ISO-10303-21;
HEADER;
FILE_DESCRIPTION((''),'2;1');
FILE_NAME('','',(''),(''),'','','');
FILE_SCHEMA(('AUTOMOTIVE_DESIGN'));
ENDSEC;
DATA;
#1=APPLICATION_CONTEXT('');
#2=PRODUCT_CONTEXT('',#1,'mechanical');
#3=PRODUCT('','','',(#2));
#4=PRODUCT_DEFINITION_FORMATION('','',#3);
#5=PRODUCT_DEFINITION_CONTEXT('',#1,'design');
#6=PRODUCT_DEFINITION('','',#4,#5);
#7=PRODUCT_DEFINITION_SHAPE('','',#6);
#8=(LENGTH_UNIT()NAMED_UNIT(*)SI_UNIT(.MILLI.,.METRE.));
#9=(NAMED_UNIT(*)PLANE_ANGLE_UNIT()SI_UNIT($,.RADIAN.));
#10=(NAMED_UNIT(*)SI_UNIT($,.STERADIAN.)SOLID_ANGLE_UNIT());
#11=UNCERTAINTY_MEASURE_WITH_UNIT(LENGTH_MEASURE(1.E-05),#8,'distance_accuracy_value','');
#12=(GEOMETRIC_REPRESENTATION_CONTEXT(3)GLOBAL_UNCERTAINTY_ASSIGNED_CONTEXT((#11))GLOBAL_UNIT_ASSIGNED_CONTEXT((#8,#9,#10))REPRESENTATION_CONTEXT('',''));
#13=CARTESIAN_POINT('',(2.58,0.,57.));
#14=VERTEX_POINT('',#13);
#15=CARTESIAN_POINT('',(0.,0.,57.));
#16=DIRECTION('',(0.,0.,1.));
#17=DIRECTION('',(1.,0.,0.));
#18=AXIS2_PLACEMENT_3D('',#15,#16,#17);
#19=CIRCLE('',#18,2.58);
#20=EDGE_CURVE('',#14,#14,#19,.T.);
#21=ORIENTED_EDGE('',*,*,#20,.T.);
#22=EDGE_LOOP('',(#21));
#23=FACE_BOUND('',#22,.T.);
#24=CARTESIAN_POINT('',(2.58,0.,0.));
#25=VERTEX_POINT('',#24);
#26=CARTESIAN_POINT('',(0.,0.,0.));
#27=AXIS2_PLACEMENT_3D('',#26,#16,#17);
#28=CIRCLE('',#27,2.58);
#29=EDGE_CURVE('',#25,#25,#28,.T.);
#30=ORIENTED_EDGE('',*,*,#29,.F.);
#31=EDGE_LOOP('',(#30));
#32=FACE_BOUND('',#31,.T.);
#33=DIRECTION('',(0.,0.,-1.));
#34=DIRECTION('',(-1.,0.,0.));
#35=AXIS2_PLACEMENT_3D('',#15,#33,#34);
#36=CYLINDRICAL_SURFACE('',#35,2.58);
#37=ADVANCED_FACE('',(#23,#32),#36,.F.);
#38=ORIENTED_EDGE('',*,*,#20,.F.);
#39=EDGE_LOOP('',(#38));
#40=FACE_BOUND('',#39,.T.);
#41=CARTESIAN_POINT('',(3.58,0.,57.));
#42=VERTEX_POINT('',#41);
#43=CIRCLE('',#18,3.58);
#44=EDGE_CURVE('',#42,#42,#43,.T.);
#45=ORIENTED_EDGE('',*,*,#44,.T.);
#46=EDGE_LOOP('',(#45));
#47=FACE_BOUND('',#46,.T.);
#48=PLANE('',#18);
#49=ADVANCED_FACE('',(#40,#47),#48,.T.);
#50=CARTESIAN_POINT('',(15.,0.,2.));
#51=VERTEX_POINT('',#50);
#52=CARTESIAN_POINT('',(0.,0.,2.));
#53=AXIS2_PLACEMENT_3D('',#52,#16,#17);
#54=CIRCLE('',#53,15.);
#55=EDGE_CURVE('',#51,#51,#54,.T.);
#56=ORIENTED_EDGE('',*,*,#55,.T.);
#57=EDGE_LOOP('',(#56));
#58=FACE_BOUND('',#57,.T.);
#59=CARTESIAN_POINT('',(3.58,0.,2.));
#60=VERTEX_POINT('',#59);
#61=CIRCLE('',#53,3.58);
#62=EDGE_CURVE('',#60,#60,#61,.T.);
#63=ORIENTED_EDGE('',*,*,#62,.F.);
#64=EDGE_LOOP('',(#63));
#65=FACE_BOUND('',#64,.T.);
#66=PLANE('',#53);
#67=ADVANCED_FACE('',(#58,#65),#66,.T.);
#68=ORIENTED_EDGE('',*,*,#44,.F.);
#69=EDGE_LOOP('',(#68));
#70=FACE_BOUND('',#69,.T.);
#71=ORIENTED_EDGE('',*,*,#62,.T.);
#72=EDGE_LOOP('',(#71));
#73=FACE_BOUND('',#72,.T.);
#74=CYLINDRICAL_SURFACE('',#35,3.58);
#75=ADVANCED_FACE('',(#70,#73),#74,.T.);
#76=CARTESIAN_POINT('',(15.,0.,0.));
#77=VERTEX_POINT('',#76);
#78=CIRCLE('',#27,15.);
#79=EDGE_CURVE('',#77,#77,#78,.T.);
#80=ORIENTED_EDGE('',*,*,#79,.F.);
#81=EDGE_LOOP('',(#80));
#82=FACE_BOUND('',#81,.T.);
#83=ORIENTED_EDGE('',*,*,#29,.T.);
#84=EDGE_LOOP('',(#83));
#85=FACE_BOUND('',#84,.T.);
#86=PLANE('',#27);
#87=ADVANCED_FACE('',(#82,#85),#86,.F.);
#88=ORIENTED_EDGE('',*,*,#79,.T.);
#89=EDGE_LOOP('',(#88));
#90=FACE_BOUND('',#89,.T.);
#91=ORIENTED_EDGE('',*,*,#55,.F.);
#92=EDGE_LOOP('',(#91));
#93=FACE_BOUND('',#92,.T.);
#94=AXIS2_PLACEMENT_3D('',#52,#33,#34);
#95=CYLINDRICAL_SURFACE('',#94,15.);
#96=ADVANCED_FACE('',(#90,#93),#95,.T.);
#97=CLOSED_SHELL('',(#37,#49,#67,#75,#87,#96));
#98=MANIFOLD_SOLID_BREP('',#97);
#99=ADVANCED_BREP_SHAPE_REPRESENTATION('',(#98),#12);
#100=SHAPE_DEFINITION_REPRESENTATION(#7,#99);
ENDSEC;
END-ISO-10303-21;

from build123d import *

# Parameters (mm, degrees)
SKETCH1_R           = 15
BOSS_EXTRUDE1_DEPTH = 2
SKETCH2_R           = 3.58
SKETCH2_R_2         = 2.58
BOSS_EXTRUDE2_DEPTH = 55
SKETCH3_R           = 2.58
CUT_EXTRUDE1_DEPTH  = 55


with BuildPart() as part:
    # Sketch1 → Boss-Extrude1 (new body)
    with BuildSketch(Plane.XY):
        Circle(SKETCH1_R)
    extrude(amount=BOSS_EXTRUDE1_DEPTH)

    # Sketch2 → Boss-Extrude2 (add)
    with BuildSketch(Plane.XY.offset(2)):
        Circle(SKETCH2_R)
        Circle(SKETCH2_R_2, mode=Mode.SUBTRACT)
    extrude(amount=BOSS_EXTRUDE2_DEPTH)

    # Sketch3 → Cut-Extrude1 (cut)
    with BuildSketch(Plane.XY.offset(2)):
        Circle(SKETCH3_R)
    extrude(amount=-CUT_EXTRUDE1_DEPTH, mode=Mode.SUBTRACT)


solid = part.part
